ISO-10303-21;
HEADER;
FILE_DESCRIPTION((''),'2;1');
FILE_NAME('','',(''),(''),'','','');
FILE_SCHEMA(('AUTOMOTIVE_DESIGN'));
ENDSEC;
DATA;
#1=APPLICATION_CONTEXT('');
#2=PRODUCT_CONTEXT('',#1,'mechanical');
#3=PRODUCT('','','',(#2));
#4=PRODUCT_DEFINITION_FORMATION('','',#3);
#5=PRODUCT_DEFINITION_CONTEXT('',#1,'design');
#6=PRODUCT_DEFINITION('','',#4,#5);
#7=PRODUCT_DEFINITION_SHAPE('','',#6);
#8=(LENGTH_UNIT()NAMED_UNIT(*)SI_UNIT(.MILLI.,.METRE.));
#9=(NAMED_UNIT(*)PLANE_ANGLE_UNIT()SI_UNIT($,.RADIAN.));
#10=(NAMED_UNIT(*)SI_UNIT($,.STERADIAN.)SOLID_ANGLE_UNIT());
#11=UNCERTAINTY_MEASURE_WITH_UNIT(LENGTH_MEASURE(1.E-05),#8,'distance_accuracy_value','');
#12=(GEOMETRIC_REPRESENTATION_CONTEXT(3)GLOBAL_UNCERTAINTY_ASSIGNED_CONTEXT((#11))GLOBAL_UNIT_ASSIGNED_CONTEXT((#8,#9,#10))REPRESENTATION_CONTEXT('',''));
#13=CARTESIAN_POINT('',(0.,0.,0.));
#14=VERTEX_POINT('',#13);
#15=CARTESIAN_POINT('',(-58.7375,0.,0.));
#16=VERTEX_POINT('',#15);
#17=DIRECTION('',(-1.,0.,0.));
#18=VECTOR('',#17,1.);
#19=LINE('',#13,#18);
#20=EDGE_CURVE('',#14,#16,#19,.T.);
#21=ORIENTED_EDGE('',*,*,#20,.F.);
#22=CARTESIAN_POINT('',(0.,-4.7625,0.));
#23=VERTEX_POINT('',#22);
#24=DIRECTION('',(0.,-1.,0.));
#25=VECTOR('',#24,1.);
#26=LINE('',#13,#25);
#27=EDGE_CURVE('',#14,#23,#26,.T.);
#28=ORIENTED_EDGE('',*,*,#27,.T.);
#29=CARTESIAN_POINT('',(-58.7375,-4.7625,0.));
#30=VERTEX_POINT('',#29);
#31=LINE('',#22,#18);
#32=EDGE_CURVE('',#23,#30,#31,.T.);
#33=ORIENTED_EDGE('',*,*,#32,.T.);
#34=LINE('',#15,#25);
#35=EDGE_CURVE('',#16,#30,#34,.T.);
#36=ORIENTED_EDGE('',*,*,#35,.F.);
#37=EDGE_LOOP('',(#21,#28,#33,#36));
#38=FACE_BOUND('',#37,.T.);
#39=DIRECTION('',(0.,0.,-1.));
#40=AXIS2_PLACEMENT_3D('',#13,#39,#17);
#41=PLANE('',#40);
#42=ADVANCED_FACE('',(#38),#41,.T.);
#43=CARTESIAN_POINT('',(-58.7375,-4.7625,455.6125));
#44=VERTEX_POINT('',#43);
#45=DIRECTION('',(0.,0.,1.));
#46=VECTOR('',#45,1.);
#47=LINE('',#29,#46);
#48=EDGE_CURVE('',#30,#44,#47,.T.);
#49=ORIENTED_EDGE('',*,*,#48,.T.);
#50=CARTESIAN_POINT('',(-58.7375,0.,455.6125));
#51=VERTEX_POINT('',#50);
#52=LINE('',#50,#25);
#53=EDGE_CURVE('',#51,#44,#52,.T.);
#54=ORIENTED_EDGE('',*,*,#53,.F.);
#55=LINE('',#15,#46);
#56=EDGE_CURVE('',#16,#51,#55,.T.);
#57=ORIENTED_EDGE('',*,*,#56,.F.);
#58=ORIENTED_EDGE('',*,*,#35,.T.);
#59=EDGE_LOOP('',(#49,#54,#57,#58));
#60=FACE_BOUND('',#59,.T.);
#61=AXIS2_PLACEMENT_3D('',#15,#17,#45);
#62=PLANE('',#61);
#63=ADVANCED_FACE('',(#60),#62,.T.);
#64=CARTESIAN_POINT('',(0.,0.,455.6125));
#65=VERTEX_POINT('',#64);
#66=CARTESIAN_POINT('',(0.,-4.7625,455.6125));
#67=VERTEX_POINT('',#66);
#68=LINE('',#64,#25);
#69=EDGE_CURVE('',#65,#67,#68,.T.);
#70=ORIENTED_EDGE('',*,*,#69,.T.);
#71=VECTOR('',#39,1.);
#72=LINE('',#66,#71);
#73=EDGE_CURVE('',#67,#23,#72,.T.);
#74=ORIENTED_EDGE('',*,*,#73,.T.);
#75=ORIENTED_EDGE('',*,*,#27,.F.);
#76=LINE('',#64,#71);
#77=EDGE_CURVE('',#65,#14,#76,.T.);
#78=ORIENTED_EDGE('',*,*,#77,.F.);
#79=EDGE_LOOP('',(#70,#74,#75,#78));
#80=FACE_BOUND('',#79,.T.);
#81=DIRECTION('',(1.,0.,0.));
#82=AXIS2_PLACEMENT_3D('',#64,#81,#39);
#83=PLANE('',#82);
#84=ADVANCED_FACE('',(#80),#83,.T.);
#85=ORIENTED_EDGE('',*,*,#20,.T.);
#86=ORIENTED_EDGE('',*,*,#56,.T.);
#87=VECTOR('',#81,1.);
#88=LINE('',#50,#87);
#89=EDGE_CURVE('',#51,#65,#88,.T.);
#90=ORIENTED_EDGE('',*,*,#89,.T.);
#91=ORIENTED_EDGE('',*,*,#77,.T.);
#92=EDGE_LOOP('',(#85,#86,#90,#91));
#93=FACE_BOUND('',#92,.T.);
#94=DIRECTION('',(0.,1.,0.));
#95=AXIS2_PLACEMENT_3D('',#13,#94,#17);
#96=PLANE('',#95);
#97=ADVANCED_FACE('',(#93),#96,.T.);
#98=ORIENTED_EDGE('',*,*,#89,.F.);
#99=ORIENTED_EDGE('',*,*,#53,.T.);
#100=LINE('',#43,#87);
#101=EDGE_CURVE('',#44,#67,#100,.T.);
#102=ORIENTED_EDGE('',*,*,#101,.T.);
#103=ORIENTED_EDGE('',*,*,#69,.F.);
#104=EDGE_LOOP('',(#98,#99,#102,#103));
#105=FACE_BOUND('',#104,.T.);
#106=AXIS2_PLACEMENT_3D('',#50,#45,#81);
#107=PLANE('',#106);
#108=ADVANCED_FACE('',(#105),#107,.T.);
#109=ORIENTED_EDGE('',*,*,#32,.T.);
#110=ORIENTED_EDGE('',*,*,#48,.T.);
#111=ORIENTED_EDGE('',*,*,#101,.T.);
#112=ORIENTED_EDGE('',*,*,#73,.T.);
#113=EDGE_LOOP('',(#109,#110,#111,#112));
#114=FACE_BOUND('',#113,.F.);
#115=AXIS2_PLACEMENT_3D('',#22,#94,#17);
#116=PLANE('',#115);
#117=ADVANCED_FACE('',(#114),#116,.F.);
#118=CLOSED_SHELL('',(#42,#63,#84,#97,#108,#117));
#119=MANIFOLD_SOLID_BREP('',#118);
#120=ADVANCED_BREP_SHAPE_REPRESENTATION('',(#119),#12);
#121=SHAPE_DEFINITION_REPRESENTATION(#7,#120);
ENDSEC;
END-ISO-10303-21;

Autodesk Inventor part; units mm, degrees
ref_plane "YZ Plane" through (0, 0, 0) normal (1, 0, 0) x (0, 1, 0)
ref_plane "XZ Plane" through (0, 0, 0) normal (0, 1, 0) x (-1, 0, 0)
ref_plane "XY Plane" through (0, 0, 0) normal (0, 0, 1) x (1, 0, 0)
sketch "Sketch1" plane through (0, 0, 0) normal (0, 1, 0) x (-1, 0, 0)
  line L0 (0, 0) -> (58.7375, 0)
  line L1 (58.7375, 0) -> (58.7375, 455.6125)
  line L2 (58.7375, 455.6125) -> (0, 455.6125)
  line L3 (0, 455.6125) -> (0, 0)
  dimension "d0" = 58.7375
  dimension "d1" = 455.6125
extrude "Extrusion1" add sketch "Sketch1" against normal blind 4.7625
properties part number "Base_for_Frets"
